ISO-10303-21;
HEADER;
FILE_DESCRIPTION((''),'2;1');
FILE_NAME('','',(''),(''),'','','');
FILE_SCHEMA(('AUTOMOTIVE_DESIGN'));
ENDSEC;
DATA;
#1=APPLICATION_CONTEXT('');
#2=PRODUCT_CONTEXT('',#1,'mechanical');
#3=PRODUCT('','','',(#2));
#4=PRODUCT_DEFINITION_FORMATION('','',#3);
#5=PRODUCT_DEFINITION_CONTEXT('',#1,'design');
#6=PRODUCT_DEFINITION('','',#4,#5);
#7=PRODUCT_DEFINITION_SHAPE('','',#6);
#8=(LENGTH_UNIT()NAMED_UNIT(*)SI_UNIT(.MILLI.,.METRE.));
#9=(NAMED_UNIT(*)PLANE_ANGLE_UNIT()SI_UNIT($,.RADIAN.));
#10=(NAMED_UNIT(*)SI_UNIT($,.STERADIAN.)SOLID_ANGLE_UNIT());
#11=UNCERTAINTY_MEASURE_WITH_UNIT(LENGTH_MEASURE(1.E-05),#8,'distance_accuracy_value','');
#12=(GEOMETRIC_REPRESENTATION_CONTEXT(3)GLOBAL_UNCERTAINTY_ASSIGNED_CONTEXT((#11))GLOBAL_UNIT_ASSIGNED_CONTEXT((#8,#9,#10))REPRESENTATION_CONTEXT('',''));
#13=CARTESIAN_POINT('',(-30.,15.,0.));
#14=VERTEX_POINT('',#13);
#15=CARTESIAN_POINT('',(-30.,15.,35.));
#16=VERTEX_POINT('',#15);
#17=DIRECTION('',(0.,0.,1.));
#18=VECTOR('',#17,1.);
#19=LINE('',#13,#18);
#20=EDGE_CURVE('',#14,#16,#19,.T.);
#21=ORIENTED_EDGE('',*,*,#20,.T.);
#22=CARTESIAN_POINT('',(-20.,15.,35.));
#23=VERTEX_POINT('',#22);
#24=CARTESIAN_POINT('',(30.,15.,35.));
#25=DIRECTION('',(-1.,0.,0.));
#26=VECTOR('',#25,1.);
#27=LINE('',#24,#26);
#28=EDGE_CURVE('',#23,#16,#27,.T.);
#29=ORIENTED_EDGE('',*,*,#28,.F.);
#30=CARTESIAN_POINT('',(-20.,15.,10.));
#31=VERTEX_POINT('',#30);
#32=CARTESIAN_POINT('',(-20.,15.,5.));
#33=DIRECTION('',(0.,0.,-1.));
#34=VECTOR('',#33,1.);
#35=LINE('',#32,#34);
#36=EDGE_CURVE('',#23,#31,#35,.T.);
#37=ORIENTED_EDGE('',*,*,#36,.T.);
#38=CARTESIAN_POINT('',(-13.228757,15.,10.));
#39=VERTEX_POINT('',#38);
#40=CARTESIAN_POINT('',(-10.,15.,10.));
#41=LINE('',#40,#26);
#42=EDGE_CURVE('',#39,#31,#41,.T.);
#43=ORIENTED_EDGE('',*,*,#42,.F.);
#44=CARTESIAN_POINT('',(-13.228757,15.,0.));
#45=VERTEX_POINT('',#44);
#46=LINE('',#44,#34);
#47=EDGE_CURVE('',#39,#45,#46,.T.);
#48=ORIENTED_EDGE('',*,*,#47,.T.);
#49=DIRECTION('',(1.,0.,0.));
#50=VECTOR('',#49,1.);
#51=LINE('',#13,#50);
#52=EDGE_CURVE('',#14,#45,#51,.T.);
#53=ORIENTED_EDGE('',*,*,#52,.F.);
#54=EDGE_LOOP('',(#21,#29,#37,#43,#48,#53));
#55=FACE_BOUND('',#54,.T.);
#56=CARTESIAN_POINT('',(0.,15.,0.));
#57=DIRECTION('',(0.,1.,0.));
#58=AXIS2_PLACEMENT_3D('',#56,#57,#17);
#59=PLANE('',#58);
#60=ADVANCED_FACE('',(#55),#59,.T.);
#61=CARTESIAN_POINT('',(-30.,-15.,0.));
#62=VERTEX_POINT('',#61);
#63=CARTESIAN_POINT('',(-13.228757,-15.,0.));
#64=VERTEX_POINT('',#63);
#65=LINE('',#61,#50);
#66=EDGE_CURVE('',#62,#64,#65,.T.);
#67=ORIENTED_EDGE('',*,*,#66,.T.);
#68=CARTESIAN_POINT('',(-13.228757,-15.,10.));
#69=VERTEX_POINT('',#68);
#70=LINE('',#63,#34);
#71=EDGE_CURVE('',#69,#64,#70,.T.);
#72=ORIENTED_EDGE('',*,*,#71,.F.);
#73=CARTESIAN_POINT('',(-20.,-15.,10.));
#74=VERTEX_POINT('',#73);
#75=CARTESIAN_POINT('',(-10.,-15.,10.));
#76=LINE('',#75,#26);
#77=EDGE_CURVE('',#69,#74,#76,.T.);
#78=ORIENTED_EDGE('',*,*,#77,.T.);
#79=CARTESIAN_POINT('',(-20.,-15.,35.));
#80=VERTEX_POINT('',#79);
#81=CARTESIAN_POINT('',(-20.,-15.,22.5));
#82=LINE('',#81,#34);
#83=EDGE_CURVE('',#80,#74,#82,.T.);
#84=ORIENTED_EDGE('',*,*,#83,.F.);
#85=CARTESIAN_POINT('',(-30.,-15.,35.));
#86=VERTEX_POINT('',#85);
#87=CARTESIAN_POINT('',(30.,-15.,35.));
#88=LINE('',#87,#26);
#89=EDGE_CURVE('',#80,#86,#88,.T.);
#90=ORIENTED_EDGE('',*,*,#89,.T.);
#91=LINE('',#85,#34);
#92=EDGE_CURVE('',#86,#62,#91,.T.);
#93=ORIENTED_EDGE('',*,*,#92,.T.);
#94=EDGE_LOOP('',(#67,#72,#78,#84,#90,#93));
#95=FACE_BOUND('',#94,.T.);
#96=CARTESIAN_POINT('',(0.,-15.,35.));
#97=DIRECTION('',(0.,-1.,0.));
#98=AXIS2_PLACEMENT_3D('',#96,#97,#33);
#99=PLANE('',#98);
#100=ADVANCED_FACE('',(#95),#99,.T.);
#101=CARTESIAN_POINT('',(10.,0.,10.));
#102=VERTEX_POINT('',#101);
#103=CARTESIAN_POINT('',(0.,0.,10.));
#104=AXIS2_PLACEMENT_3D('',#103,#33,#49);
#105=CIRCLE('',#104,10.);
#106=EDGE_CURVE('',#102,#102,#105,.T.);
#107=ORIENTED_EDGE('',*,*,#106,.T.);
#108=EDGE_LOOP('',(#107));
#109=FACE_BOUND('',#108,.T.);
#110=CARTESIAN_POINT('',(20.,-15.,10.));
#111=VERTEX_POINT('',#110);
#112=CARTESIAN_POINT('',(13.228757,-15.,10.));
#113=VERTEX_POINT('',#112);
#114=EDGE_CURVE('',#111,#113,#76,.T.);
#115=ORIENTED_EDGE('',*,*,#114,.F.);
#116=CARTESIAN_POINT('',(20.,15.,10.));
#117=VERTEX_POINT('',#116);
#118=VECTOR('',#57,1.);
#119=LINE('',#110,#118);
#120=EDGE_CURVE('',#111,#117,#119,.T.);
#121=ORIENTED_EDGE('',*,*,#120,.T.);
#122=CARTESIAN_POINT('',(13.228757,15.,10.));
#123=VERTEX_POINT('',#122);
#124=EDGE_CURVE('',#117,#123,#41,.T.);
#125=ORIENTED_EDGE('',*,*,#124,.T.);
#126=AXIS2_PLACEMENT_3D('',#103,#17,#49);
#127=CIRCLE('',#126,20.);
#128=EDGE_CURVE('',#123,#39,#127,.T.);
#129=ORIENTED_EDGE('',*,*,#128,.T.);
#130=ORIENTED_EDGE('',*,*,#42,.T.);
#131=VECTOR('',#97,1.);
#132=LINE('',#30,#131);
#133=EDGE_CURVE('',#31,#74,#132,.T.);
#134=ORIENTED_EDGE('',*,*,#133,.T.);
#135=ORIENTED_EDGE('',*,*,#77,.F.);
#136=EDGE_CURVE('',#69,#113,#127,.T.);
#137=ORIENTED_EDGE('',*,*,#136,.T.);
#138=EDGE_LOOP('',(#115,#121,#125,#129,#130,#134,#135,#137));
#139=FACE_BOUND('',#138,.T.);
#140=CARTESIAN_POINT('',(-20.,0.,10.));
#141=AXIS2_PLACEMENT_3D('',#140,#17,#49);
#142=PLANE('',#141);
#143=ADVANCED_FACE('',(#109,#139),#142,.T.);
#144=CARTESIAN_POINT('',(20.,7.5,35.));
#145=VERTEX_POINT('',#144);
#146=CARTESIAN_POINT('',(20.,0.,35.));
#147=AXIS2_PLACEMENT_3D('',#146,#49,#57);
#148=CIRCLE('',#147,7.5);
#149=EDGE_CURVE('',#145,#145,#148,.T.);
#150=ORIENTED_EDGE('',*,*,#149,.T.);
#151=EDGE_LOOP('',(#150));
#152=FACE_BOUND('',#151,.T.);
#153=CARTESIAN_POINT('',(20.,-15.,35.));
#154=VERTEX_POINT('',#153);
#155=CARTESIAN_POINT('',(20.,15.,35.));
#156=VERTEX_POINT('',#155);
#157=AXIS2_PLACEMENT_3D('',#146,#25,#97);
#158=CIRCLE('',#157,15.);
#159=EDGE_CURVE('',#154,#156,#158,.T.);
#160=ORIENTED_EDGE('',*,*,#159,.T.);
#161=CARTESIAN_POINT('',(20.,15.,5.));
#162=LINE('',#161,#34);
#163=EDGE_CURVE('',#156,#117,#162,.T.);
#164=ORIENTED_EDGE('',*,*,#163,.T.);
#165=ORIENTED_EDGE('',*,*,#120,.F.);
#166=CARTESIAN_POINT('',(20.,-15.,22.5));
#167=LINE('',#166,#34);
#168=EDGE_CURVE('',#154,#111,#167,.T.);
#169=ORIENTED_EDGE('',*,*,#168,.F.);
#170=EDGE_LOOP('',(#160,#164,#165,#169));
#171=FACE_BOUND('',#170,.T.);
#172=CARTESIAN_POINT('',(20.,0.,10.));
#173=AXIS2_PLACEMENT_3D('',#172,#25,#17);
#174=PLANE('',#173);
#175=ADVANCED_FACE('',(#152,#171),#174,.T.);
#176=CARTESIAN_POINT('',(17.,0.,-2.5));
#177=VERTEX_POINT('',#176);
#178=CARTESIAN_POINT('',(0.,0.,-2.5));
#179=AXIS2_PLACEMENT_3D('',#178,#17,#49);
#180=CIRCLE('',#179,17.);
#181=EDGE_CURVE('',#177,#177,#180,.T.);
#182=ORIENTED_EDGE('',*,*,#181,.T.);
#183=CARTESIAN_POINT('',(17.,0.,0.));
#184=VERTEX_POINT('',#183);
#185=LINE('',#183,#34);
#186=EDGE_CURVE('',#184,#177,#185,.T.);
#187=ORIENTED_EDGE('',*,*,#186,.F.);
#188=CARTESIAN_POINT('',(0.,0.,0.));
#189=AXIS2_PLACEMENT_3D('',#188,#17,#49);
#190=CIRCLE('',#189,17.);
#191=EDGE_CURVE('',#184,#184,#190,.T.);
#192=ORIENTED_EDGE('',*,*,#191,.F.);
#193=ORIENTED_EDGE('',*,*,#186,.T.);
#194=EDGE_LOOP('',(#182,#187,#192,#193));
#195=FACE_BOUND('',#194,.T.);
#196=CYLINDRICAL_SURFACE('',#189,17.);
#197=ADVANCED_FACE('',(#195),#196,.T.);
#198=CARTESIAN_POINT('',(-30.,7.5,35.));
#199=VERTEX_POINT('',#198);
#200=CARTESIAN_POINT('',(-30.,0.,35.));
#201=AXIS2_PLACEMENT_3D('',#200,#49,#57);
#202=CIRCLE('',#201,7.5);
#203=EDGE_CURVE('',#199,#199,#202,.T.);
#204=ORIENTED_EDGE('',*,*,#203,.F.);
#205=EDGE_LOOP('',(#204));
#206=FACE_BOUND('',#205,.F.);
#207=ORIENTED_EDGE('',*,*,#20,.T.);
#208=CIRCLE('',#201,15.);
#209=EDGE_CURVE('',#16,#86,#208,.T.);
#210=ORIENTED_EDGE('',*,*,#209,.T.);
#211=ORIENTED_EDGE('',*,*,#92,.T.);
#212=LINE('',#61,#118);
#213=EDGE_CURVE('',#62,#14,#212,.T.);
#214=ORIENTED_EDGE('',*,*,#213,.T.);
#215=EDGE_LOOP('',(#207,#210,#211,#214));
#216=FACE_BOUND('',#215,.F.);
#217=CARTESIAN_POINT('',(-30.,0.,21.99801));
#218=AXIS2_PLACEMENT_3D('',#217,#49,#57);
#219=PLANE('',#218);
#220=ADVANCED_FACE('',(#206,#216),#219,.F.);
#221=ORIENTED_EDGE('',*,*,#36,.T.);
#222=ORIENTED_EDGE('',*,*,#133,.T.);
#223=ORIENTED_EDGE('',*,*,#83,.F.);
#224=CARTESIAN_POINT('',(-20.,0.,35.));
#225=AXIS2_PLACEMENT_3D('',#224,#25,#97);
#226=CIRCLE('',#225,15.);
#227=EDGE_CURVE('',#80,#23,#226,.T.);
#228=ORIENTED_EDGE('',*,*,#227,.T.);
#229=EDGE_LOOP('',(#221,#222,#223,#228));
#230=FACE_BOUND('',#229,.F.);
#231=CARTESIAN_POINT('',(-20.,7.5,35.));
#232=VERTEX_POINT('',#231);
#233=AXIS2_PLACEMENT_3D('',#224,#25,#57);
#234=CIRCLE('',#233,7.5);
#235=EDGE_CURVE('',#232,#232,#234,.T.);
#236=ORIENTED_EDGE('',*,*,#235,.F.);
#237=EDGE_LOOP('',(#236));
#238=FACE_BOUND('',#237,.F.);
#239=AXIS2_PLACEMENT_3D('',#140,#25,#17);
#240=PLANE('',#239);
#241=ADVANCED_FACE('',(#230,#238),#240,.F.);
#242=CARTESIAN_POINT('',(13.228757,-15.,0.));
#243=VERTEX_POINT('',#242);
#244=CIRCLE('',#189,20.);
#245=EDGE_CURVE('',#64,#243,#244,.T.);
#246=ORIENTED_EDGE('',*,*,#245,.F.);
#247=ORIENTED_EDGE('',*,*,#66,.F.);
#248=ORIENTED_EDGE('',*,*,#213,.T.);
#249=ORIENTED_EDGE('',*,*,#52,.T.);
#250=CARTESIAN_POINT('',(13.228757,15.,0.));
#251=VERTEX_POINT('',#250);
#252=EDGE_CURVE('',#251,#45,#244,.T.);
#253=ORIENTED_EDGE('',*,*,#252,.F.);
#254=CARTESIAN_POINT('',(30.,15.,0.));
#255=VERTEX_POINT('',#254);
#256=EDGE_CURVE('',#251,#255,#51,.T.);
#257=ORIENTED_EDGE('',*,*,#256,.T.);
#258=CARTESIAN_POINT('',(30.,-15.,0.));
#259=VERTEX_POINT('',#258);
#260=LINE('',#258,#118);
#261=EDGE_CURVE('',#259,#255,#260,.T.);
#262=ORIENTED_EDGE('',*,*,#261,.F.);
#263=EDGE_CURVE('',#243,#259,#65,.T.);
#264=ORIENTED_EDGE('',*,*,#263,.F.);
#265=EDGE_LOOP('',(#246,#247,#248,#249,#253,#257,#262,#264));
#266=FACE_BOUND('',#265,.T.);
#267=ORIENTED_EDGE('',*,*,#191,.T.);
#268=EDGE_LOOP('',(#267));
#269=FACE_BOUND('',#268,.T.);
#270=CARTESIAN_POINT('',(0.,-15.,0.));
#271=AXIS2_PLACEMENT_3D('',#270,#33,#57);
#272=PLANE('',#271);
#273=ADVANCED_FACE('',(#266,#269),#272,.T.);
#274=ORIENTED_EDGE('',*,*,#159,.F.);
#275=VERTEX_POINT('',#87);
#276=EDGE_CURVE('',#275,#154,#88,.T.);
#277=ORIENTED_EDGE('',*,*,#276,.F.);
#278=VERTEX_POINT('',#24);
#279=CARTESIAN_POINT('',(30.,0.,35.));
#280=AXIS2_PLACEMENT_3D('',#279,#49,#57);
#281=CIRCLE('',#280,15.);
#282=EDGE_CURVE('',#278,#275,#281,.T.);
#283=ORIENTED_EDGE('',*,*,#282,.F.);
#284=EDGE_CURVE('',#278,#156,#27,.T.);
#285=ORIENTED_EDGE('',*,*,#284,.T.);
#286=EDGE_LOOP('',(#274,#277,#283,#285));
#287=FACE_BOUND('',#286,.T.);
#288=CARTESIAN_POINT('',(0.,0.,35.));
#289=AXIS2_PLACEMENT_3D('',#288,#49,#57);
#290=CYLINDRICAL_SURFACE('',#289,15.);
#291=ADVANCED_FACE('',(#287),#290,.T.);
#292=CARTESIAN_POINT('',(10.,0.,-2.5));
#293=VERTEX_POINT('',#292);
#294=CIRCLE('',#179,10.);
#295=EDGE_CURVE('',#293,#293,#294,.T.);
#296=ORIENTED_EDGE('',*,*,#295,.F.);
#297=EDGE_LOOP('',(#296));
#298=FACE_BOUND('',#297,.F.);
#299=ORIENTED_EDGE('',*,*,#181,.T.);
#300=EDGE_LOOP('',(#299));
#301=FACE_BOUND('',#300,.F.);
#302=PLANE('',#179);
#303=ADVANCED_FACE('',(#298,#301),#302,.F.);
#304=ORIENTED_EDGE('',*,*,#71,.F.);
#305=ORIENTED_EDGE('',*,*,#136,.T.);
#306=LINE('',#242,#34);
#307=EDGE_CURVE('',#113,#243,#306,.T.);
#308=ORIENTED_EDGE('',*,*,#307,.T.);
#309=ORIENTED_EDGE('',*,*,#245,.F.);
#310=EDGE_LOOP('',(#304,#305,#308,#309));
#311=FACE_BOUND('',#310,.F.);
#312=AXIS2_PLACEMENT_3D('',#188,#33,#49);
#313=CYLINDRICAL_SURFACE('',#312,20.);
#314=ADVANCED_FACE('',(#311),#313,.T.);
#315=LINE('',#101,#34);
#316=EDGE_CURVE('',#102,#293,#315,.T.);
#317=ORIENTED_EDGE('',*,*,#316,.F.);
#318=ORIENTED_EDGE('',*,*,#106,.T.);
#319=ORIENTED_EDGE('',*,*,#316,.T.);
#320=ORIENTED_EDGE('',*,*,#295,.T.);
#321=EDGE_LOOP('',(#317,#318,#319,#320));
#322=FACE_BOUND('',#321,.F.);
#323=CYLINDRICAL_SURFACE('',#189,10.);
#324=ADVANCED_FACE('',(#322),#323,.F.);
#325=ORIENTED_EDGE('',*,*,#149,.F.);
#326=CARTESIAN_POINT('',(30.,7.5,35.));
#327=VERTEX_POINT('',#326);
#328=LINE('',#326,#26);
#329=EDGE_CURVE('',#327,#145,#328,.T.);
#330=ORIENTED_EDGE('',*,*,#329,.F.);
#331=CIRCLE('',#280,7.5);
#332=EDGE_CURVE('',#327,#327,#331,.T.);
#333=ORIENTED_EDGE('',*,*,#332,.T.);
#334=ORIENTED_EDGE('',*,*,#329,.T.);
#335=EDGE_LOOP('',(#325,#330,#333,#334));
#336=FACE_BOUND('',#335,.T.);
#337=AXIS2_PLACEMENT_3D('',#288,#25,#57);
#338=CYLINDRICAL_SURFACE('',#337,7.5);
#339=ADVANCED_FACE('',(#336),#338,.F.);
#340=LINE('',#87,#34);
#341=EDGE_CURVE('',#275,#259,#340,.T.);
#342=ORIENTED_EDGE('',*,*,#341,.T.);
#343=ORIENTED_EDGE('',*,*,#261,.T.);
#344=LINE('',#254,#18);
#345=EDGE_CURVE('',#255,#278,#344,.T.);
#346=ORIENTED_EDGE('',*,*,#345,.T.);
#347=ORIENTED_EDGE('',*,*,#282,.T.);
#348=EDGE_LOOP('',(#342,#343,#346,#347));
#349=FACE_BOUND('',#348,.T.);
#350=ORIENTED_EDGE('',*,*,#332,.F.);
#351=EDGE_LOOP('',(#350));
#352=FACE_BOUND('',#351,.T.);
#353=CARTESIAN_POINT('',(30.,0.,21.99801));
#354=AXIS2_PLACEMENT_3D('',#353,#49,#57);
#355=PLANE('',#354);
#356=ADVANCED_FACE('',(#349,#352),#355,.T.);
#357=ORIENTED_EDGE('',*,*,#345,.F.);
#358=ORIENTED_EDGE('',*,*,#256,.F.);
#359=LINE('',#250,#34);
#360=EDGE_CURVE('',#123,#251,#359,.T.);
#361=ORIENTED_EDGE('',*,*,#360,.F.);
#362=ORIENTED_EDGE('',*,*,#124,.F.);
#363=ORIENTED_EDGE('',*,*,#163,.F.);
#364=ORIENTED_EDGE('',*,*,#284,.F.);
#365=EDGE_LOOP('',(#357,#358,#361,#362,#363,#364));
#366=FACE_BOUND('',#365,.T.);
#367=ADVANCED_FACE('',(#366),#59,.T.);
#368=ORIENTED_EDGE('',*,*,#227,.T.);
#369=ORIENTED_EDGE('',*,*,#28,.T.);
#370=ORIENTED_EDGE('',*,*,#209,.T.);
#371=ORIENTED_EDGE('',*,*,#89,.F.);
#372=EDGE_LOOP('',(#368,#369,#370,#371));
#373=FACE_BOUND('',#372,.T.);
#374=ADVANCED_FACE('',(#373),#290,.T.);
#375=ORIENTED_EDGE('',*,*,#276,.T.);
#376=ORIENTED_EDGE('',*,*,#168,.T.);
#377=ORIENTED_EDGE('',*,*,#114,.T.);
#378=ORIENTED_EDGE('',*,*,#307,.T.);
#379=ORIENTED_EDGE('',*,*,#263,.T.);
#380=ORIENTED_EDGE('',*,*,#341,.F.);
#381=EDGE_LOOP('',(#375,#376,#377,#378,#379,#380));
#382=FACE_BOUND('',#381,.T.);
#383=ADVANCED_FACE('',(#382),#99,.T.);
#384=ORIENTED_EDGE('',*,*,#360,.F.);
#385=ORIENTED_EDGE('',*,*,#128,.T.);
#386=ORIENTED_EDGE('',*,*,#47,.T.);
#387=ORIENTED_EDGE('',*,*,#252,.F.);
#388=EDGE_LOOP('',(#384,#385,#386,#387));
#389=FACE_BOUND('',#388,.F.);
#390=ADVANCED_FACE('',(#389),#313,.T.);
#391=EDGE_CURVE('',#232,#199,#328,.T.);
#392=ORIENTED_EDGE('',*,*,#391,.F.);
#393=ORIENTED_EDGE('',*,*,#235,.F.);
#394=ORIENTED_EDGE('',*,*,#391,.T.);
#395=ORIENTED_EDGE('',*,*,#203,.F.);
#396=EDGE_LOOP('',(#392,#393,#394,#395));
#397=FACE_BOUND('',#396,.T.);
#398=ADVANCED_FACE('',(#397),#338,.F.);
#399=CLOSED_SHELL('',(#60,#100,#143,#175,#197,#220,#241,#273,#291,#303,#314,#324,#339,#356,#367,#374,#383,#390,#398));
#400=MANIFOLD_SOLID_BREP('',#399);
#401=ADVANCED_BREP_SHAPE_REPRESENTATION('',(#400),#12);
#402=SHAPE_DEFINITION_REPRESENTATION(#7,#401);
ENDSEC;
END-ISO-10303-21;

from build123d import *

# Parameters (mm, degrees)
F0_R          = 7.5
F1_DEPTH      = 30
F2_W          = 40
F2_H          = 40
F3_DEPTH      = 25
F3_DEPTH_BACK = 25
F4_R          = 20
F5_DEPTH      = 10
F6_R          = 10
F7_DEPTH      = 50.001
F7_DEPTH_BACK = 25
F8_R          = 17
F9_DEPTH      = 2.5
F10_DEPTH     = 25


with BuildPart() as f1:
    # F0 (on Right) → F1 (new body, symmetric)
    with BuildSketch(Plane.YZ):
        with BuildLine():
            Line((-15, 35), (-15, 0))
            Line((-15, 0), (15, 0))
            Line((15, 0), (15, 35))
            ThreePointArc((15, 35), (0, 50), (-15, 35))
        make_face()
        with Locations((0, 35)):
            Circle(F0_R, mode=Mode.SUBTRACT)
    extrude(amount=F1_DEPTH, both=True)

    # F2 (on Front) → F3 (cut, two sides)
    with BuildSketch(Plane.XZ) as f3_sk:
        with Locations((0, 30)):
            Rectangle(F2_W, F2_H)
    extrude(amount=-F3_DEPTH, mode=Mode.SUBTRACT)
    extrude(f3_sk.sketch, amount=F3_DEPTH_BACK, mode=Mode.SUBTRACT)

    # F4 (on Top) → F5 (join)
    with BuildSketch(Plane.XY):
        Circle(F4_R)
    extrude(amount=F5_DEPTH)

    # F6 (on Top) → F7 (cut, two sides)
    with BuildSketch(Plane.XY) as f7_sk:
        Circle(F6_R)
    extrude(amount=F7_DEPTH, mode=Mode.SUBTRACT)
    extrude(f7_sk.sketch, amount=-F7_DEPTH_BACK, mode=Mode.SUBTRACT)

    # F8 (on Top) → F9 (join)
    with BuildSketch(Plane.XY):
        Circle(F8_R)
    extrude(amount=-F9_DEPTH)

    # F10 (cut): a face of the model
    f10_faces = [f1.faces().sort_by_distance(p)[0] for p in [
        (0, 0, 0),
    ]]
    extrude(f10_faces, amount=-F10_DEPTH, mode=Mode.SUBTRACT)


solid = f1.part
